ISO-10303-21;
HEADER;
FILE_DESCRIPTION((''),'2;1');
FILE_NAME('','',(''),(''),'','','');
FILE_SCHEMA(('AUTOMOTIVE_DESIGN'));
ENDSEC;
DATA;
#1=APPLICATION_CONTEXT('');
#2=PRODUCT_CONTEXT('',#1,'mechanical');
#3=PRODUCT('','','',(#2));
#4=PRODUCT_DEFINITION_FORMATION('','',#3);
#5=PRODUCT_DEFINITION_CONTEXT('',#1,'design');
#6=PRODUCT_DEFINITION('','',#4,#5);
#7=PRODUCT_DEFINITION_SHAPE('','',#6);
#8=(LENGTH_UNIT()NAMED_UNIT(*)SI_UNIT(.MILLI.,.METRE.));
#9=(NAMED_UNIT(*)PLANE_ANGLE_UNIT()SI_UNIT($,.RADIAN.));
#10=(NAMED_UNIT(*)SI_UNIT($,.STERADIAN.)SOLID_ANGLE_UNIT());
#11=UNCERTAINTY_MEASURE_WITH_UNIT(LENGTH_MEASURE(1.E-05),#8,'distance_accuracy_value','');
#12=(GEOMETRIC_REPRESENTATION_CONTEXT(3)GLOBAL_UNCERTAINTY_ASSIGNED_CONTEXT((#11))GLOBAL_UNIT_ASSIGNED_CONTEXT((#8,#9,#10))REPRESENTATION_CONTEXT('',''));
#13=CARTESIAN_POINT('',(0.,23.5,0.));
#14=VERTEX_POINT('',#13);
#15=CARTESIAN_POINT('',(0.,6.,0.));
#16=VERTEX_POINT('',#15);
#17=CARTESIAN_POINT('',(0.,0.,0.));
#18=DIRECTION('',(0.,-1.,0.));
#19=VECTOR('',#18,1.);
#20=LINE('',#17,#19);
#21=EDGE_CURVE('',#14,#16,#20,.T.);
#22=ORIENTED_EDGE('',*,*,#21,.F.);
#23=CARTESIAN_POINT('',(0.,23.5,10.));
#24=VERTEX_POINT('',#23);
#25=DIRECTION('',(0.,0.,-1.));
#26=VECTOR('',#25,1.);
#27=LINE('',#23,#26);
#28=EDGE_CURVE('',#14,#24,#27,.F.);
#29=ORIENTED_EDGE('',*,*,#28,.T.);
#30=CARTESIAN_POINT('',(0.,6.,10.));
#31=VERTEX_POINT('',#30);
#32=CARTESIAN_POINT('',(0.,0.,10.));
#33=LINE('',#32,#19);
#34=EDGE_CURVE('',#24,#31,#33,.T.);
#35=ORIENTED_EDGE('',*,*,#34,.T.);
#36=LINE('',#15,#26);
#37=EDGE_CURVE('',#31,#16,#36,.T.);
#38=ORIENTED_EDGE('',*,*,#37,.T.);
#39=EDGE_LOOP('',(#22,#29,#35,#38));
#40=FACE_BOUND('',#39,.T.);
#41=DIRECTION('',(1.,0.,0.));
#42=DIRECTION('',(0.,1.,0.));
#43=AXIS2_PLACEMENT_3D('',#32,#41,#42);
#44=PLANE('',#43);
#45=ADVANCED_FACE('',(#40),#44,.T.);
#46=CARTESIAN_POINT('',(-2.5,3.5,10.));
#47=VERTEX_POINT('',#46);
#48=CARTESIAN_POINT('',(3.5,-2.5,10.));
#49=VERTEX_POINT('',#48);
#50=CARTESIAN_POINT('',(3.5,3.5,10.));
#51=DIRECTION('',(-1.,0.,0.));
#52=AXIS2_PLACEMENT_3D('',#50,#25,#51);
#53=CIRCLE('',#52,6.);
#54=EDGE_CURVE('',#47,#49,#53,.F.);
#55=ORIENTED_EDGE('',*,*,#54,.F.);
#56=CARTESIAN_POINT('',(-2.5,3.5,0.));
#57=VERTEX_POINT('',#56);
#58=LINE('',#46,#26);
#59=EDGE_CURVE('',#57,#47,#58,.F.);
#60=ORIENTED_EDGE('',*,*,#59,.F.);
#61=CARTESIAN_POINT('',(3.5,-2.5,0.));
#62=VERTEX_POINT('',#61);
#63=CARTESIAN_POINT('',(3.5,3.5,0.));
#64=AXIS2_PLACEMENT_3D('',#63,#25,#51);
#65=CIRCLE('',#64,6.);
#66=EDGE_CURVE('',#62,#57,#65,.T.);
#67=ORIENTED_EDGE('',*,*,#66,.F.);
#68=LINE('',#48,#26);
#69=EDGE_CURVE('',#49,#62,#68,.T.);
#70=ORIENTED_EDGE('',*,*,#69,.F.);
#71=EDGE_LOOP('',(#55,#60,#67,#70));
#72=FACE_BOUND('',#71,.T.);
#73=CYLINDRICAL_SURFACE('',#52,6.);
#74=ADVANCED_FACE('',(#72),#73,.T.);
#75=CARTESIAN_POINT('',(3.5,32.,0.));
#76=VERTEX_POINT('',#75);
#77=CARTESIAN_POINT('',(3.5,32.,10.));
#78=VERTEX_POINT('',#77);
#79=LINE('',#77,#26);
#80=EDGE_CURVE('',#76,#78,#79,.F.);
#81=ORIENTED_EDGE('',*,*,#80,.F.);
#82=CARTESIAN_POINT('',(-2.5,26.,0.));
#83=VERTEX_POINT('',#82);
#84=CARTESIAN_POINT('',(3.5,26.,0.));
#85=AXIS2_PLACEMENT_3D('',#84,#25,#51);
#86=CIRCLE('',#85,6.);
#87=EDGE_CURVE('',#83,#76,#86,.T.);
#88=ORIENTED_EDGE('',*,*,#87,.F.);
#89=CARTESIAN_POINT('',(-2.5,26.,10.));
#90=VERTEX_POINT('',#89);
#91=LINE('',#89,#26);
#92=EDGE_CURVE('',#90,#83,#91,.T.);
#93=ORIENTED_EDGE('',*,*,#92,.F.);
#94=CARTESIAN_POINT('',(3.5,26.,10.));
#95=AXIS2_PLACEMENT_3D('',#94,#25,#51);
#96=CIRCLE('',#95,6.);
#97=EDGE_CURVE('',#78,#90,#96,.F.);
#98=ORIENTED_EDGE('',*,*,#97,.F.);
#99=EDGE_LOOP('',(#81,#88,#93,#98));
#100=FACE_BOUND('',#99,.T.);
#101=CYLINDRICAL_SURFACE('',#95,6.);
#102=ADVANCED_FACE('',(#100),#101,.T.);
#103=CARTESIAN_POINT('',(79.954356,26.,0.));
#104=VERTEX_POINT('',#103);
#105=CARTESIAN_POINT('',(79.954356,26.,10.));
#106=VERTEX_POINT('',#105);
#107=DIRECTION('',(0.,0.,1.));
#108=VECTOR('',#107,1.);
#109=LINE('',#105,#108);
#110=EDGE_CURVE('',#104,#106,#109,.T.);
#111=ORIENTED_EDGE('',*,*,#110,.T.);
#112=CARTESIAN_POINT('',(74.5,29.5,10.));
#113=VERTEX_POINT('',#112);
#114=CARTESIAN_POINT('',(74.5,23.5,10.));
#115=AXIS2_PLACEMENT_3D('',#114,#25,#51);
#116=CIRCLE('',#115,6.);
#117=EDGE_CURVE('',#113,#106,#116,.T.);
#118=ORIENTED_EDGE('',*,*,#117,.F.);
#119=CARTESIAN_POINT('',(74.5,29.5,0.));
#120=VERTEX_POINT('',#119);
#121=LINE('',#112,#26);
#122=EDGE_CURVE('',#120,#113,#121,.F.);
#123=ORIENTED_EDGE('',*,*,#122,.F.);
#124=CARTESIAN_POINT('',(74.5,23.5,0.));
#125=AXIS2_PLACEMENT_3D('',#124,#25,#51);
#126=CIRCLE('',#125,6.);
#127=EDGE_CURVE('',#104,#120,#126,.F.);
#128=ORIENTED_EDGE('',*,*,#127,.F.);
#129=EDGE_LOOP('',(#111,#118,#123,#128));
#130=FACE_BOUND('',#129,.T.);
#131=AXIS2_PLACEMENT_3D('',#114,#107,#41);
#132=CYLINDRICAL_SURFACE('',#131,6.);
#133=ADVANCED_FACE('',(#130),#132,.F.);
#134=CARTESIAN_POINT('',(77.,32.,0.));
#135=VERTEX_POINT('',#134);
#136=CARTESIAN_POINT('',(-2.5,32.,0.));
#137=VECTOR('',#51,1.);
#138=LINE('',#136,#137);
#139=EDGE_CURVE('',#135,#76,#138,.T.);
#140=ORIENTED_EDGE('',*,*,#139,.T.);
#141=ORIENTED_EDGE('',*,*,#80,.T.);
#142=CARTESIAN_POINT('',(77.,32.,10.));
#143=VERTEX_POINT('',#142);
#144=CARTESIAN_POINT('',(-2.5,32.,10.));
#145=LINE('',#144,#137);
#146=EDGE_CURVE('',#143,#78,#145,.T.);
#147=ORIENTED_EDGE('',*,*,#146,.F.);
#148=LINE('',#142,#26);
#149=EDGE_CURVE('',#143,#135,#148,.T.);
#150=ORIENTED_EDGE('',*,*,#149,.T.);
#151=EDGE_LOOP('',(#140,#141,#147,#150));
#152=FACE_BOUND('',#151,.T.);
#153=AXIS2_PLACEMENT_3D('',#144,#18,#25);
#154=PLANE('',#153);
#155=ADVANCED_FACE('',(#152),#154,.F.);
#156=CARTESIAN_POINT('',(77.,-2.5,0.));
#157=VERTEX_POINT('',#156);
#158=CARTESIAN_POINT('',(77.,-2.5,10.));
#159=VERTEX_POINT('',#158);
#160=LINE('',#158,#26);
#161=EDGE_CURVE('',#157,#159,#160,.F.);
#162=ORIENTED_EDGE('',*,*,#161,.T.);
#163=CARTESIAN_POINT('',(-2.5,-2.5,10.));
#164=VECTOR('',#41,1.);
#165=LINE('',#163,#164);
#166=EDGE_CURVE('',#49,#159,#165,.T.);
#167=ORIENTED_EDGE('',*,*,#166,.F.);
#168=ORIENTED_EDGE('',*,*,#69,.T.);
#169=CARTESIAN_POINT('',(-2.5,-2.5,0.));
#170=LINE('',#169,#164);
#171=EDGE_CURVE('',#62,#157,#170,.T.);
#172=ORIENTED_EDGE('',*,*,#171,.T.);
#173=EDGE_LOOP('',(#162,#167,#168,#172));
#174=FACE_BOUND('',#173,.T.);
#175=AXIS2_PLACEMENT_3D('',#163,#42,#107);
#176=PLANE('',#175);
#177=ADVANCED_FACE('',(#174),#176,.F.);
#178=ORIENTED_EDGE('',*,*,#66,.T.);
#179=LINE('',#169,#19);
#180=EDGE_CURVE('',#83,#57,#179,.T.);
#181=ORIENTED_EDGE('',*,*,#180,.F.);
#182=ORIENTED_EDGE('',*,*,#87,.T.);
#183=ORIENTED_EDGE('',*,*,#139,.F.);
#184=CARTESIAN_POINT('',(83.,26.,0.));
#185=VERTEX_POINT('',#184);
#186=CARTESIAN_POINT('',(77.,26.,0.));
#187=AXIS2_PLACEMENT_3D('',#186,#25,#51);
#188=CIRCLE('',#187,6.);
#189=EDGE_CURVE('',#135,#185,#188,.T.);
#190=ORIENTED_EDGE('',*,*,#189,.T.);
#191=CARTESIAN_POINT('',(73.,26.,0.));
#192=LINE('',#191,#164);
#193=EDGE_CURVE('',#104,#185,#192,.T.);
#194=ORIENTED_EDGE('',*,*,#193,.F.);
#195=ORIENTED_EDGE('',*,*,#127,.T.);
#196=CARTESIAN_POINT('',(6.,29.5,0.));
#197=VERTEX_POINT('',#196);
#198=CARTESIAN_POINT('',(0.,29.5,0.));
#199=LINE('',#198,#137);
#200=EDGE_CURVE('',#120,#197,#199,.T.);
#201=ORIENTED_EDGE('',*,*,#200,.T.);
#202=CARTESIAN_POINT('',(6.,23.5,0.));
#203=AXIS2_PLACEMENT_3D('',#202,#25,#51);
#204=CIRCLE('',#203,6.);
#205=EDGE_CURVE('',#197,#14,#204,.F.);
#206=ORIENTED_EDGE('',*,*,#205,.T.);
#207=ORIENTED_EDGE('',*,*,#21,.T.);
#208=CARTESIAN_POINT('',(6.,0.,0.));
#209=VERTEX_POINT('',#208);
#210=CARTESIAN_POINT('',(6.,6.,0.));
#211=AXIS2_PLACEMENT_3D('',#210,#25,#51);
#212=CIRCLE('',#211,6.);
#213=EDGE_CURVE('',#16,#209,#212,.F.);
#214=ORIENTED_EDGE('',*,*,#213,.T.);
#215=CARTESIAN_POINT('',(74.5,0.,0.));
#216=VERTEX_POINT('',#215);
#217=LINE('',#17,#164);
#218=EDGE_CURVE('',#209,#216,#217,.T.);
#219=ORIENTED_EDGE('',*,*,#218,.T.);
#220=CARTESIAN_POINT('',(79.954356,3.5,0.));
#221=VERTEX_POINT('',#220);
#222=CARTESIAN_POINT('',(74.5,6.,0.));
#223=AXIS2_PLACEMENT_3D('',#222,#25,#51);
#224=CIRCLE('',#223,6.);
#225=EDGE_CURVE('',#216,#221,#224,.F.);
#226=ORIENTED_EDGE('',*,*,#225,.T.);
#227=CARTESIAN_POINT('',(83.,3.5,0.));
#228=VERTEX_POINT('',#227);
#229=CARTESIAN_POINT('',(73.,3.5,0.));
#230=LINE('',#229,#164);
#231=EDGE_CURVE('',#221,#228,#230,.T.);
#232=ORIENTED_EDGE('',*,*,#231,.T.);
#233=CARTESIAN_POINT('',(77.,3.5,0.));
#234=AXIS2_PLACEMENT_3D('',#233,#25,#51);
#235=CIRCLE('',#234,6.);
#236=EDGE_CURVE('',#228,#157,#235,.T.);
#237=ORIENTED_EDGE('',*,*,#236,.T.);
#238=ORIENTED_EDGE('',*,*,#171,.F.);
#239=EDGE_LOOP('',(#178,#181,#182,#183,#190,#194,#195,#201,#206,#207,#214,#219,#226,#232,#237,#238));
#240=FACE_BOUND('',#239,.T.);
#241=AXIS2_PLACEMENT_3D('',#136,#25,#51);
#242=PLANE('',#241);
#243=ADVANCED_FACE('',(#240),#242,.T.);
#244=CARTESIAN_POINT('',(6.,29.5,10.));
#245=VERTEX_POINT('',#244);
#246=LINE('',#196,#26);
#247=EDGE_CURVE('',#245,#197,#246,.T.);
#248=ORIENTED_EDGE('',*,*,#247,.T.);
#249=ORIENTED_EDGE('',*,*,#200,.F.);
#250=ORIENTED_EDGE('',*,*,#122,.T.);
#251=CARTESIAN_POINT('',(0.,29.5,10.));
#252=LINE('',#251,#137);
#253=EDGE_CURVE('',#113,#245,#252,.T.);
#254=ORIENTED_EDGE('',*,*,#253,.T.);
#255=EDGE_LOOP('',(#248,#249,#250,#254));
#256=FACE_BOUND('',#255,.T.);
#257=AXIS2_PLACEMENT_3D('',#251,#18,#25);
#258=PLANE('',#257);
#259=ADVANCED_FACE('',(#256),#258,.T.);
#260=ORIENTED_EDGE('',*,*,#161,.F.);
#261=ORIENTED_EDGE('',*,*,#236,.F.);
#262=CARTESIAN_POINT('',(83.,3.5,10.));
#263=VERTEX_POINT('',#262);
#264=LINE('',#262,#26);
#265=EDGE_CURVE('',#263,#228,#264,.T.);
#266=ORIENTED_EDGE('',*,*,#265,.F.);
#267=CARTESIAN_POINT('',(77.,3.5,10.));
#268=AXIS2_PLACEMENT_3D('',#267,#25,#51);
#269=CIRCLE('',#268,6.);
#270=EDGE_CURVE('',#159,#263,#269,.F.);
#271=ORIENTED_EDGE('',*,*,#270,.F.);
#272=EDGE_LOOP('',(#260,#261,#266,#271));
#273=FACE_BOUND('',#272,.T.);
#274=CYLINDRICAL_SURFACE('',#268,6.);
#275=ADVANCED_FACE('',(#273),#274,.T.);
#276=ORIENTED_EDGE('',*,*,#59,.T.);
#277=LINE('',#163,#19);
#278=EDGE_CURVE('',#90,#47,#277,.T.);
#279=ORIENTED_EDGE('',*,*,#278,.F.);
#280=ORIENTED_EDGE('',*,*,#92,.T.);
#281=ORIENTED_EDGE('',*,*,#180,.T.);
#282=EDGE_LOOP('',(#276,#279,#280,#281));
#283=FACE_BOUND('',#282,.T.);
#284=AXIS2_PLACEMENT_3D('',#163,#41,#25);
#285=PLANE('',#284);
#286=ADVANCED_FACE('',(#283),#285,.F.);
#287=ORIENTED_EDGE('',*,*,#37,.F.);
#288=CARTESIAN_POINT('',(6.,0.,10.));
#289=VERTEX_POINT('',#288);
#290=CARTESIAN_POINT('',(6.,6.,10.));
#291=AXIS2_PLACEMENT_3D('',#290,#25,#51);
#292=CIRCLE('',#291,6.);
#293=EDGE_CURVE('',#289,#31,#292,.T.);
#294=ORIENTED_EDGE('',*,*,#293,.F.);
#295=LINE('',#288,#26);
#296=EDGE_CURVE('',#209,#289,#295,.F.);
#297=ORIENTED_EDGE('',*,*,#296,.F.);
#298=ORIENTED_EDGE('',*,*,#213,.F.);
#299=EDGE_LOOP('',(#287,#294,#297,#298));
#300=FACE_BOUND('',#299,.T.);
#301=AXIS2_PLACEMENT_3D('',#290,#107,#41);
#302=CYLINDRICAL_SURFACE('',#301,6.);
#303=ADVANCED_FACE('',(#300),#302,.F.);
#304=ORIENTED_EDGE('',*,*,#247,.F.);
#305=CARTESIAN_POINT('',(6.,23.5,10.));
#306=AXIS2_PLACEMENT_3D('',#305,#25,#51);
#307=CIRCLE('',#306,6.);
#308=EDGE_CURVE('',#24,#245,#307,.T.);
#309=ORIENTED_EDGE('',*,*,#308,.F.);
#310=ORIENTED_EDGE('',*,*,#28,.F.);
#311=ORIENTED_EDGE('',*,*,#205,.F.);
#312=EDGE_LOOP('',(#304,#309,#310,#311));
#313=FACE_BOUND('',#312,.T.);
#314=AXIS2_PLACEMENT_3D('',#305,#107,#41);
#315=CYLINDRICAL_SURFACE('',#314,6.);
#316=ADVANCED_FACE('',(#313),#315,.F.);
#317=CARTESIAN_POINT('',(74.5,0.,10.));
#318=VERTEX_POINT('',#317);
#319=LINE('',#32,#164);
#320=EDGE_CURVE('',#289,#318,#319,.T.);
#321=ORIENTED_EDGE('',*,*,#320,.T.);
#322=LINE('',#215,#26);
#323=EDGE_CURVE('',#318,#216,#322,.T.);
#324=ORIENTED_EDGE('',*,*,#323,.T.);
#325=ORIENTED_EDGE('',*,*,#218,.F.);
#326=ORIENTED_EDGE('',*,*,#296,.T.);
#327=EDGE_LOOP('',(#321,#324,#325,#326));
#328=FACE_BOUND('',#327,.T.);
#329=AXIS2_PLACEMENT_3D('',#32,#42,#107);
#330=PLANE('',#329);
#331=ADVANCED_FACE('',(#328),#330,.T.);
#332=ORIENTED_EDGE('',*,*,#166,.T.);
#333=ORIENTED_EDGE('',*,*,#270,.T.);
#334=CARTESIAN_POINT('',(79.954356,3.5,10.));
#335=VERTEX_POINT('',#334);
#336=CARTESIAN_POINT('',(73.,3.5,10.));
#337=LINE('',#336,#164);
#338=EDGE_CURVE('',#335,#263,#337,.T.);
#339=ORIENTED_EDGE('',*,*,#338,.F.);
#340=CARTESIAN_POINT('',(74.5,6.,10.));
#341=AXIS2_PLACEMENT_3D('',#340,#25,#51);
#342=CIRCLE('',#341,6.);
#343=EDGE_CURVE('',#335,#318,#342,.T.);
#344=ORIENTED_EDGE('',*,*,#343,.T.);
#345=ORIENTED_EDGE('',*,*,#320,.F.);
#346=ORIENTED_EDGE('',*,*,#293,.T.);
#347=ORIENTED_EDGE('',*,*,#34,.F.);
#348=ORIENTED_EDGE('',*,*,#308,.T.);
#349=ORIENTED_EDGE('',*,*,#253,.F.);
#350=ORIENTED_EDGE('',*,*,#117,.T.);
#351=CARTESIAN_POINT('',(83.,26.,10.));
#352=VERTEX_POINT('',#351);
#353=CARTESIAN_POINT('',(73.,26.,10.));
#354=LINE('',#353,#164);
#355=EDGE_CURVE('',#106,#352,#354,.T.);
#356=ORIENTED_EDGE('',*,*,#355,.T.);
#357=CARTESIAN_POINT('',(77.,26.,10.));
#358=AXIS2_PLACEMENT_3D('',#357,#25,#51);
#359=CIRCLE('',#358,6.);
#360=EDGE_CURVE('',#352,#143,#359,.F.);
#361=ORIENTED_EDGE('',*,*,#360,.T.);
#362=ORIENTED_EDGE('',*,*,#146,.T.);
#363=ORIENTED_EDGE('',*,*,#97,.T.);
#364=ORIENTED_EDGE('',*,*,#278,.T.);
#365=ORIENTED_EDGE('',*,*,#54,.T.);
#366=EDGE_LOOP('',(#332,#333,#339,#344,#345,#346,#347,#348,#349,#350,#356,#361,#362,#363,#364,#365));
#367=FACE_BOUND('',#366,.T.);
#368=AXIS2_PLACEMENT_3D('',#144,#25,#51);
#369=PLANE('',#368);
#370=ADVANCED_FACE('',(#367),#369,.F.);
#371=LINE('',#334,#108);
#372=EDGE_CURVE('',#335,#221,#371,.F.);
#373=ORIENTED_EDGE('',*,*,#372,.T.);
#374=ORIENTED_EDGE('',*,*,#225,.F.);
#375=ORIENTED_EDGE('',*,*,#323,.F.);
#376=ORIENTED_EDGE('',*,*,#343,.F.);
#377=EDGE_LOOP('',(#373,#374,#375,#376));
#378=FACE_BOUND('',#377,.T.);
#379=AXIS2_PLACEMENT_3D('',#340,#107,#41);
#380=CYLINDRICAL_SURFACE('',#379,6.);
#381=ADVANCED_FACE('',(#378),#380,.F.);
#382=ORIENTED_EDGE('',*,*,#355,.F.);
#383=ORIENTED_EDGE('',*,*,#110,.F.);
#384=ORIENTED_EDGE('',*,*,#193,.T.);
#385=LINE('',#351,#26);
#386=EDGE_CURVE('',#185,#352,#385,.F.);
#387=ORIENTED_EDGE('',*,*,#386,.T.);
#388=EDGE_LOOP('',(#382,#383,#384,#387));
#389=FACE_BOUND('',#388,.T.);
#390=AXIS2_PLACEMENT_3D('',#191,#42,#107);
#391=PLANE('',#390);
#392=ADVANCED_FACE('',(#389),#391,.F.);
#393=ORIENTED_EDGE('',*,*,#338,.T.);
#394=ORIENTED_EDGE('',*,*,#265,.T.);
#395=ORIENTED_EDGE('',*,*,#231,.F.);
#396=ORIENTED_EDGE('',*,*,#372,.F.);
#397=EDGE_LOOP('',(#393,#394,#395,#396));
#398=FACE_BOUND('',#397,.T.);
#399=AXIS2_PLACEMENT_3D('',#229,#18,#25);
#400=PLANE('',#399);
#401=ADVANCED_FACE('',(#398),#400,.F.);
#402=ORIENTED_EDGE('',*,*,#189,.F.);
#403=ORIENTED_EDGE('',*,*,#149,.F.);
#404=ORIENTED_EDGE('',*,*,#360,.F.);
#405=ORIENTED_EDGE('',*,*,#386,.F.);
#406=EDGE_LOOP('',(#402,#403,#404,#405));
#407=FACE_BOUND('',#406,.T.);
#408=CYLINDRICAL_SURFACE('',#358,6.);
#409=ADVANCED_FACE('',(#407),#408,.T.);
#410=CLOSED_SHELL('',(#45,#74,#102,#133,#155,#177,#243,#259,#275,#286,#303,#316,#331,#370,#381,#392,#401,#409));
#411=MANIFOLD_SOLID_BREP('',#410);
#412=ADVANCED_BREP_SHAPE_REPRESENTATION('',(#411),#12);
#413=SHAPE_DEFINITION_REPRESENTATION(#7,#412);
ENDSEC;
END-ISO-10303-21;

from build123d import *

# Parameters (mm, degrees)
ESQUISSE1_W             = 85.5
ESQUISSE1_H             = 34.5
ESQUISSE1_W_2           = 80.5
ESQUISSE1_H_2           = 29.5
BOSS_EXTRU_1_DEPTH      = 10
CONG_1_R                = 6
CONG_2_R                = 6
ESQUISSE3_W             = 10
ESQUISSE3_H             = 22.5
ENL_V_MAT_EXTRU_1_DEPTH = 10


with BuildPart() as part:
    # Esquisse1 → Boss.-Extru.1 (new body)
    with BuildSketch(Plane.XY):
        with Locations((40.25, 14.75)):
            Rectangle(ESQUISSE1_W, ESQUISSE1_H)
        with Locations((40.25, 14.75)):
            Rectangle(ESQUISSE1_W_2, ESQUISSE1_H_2, mode=Mode.SUBTRACT)
    extrude(amount=BOSS_EXTRU_1_DEPTH)

    # Congé1
    cong_1_edges = [part.edges().sort_by_distance(p)[0] for p in [
        (0, 29.5, 5),
        (0, 0, 5),
        (80.5, 0, 5),
        (80.5, 29.5, 5),
    ]]
    fillet(cong_1_edges, radius=CONG_1_R)

    # Congé2
    cong_2_edges = [part.edges().sort_by_distance(p)[0] for p in [
        (-2.5, 32, 5),
        (83, 32, 5),
        (83, -2.5, 5),
        (-2.5, -2.5, 5),
    ]]
    fillet(cong_2_edges, radius=CONG_2_R)

    # Esquisse3 → Enlèv. mat.-Extru.1 (cut)
    with BuildSketch(Plane(origin=(83, 0, 0), x_dir=(0, 0, -1), z_dir=(1, 0, 0))):
        with Locations((-5, 14.75)):
            Rectangle(ESQUISSE3_W, ESQUISSE3_H)
    extrude(amount=-ENL_V_MAT_EXTRU_1_DEPTH, mode=Mode.SUBTRACT)


solid = part.part
